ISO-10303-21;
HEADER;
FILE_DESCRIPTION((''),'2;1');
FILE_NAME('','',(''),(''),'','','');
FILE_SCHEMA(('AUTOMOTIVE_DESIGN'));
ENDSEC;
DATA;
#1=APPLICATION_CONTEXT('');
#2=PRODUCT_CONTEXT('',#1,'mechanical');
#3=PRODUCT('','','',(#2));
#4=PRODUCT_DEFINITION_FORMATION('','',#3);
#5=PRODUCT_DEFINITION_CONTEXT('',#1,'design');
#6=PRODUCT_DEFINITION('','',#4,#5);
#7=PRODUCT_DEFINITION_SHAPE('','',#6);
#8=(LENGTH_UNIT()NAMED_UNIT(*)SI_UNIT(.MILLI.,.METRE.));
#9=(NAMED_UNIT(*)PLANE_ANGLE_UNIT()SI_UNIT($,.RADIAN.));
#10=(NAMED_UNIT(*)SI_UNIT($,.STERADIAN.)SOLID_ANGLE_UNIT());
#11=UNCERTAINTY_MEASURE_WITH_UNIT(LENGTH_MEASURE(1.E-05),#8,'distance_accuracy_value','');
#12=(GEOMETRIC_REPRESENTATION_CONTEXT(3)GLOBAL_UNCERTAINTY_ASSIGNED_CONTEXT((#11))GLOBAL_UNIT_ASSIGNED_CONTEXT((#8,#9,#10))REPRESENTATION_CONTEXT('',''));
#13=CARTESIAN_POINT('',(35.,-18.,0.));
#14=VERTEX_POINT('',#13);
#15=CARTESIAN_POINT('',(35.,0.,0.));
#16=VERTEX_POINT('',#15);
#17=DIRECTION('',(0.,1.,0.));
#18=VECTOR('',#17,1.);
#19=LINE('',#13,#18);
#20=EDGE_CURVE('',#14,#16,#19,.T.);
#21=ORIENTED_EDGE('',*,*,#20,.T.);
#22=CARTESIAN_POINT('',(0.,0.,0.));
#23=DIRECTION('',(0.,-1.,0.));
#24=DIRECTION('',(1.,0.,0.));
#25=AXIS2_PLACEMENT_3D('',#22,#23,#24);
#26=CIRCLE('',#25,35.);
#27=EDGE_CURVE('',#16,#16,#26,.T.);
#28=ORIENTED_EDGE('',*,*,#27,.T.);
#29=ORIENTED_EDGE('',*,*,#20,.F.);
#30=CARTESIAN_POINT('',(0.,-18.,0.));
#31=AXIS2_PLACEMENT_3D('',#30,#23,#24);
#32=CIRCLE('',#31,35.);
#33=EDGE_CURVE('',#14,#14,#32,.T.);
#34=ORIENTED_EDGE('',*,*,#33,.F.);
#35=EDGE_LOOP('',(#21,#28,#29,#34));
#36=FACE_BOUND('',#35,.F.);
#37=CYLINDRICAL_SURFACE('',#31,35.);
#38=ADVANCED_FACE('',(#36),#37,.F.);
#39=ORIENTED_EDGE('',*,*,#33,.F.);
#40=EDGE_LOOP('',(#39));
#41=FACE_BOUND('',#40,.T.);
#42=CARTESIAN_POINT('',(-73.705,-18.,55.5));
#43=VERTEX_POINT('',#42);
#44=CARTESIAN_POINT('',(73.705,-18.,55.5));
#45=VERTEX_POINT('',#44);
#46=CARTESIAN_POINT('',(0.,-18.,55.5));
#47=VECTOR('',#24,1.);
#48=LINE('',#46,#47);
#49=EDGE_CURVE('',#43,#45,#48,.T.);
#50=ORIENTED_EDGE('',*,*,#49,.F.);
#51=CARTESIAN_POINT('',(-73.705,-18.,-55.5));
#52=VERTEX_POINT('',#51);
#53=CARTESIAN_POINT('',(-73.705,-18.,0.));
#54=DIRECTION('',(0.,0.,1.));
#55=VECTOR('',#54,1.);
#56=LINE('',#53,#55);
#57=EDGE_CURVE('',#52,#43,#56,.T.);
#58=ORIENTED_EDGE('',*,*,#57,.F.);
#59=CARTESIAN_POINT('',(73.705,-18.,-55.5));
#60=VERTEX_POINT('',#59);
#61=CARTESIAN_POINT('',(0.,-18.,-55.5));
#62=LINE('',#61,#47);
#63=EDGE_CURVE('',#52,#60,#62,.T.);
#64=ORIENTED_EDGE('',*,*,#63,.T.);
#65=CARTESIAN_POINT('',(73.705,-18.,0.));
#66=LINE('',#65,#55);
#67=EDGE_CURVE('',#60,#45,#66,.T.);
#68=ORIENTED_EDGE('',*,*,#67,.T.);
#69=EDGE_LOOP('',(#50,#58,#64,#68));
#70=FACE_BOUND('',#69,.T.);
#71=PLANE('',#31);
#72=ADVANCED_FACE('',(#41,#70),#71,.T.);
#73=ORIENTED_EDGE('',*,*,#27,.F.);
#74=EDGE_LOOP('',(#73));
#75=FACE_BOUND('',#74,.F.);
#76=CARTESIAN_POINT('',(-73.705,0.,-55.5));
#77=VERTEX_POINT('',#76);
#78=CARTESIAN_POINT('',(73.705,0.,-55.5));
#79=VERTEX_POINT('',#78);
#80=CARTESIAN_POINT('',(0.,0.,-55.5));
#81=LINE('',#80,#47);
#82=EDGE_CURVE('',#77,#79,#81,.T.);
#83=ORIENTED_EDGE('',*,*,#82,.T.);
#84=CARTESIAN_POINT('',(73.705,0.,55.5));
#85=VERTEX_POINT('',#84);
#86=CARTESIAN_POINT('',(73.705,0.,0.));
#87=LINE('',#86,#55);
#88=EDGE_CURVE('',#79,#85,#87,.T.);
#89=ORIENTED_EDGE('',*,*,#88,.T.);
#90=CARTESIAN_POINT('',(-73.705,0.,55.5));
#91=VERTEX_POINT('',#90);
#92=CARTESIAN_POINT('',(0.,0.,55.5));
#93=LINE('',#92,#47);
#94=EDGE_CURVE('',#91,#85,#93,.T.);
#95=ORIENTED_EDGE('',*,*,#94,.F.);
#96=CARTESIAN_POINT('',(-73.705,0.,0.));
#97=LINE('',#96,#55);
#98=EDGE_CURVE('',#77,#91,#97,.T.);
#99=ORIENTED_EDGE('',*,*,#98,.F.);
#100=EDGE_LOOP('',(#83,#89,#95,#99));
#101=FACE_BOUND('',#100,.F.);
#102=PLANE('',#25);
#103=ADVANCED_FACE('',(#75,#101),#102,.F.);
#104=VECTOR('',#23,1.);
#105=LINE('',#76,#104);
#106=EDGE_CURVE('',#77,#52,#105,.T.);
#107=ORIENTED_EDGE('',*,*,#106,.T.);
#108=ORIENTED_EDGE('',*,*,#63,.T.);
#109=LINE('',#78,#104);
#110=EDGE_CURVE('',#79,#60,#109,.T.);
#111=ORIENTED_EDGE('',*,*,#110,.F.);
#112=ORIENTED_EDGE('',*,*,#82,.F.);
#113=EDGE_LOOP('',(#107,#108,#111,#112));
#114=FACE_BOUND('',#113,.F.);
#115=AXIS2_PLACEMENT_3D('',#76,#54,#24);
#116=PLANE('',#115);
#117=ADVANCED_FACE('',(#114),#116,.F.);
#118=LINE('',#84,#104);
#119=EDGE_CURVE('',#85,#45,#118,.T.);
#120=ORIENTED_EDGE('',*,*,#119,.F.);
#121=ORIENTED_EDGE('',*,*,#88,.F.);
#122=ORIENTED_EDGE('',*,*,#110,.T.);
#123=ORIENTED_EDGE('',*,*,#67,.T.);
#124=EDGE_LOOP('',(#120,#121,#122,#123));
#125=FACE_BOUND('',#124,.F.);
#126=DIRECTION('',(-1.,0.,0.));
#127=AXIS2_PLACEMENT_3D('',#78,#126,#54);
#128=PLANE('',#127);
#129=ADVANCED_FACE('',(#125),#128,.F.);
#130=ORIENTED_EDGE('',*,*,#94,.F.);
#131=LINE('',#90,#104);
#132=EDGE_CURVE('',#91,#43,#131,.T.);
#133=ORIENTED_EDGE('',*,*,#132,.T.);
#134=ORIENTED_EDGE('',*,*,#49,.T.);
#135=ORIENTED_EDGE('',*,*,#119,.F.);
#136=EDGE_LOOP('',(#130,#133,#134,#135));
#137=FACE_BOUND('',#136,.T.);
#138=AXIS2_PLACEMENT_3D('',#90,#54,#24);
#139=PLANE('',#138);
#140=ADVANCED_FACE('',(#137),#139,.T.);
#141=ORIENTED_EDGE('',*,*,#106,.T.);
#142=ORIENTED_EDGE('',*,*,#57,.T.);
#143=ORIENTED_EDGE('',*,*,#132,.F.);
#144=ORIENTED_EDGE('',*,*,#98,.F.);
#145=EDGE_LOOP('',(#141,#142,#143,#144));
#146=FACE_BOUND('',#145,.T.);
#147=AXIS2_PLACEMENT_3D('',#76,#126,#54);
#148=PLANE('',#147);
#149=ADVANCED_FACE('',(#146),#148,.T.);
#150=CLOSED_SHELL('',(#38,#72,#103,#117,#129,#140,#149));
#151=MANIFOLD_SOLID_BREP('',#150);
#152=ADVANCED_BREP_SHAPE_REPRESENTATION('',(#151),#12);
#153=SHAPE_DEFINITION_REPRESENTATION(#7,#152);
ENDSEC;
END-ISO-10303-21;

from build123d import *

# Parameters (mm, degrees)
SKETCH_W     = 147.41
SKETCH_H     = 111
PAD_DEPTH    = 18
SKETCH001_R  = 35
POCKET_DEPTH = 18


with BuildPart() as part:
    # Sketch → Pad (new body)
    with BuildSketch(Plane.XZ):
        Rectangle(SKETCH_W, SKETCH_H)
    extrude(amount=PAD_DEPTH)

    # Sketch001 (on Face6 of Pad) → Pocket (cut)
    with BuildSketch(Plane.XZ.offset(18)):
        Circle(SKETCH001_R)
    extrude(amount=-POCKET_DEPTH, mode=Mode.SUBTRACT)


solid = part.part
